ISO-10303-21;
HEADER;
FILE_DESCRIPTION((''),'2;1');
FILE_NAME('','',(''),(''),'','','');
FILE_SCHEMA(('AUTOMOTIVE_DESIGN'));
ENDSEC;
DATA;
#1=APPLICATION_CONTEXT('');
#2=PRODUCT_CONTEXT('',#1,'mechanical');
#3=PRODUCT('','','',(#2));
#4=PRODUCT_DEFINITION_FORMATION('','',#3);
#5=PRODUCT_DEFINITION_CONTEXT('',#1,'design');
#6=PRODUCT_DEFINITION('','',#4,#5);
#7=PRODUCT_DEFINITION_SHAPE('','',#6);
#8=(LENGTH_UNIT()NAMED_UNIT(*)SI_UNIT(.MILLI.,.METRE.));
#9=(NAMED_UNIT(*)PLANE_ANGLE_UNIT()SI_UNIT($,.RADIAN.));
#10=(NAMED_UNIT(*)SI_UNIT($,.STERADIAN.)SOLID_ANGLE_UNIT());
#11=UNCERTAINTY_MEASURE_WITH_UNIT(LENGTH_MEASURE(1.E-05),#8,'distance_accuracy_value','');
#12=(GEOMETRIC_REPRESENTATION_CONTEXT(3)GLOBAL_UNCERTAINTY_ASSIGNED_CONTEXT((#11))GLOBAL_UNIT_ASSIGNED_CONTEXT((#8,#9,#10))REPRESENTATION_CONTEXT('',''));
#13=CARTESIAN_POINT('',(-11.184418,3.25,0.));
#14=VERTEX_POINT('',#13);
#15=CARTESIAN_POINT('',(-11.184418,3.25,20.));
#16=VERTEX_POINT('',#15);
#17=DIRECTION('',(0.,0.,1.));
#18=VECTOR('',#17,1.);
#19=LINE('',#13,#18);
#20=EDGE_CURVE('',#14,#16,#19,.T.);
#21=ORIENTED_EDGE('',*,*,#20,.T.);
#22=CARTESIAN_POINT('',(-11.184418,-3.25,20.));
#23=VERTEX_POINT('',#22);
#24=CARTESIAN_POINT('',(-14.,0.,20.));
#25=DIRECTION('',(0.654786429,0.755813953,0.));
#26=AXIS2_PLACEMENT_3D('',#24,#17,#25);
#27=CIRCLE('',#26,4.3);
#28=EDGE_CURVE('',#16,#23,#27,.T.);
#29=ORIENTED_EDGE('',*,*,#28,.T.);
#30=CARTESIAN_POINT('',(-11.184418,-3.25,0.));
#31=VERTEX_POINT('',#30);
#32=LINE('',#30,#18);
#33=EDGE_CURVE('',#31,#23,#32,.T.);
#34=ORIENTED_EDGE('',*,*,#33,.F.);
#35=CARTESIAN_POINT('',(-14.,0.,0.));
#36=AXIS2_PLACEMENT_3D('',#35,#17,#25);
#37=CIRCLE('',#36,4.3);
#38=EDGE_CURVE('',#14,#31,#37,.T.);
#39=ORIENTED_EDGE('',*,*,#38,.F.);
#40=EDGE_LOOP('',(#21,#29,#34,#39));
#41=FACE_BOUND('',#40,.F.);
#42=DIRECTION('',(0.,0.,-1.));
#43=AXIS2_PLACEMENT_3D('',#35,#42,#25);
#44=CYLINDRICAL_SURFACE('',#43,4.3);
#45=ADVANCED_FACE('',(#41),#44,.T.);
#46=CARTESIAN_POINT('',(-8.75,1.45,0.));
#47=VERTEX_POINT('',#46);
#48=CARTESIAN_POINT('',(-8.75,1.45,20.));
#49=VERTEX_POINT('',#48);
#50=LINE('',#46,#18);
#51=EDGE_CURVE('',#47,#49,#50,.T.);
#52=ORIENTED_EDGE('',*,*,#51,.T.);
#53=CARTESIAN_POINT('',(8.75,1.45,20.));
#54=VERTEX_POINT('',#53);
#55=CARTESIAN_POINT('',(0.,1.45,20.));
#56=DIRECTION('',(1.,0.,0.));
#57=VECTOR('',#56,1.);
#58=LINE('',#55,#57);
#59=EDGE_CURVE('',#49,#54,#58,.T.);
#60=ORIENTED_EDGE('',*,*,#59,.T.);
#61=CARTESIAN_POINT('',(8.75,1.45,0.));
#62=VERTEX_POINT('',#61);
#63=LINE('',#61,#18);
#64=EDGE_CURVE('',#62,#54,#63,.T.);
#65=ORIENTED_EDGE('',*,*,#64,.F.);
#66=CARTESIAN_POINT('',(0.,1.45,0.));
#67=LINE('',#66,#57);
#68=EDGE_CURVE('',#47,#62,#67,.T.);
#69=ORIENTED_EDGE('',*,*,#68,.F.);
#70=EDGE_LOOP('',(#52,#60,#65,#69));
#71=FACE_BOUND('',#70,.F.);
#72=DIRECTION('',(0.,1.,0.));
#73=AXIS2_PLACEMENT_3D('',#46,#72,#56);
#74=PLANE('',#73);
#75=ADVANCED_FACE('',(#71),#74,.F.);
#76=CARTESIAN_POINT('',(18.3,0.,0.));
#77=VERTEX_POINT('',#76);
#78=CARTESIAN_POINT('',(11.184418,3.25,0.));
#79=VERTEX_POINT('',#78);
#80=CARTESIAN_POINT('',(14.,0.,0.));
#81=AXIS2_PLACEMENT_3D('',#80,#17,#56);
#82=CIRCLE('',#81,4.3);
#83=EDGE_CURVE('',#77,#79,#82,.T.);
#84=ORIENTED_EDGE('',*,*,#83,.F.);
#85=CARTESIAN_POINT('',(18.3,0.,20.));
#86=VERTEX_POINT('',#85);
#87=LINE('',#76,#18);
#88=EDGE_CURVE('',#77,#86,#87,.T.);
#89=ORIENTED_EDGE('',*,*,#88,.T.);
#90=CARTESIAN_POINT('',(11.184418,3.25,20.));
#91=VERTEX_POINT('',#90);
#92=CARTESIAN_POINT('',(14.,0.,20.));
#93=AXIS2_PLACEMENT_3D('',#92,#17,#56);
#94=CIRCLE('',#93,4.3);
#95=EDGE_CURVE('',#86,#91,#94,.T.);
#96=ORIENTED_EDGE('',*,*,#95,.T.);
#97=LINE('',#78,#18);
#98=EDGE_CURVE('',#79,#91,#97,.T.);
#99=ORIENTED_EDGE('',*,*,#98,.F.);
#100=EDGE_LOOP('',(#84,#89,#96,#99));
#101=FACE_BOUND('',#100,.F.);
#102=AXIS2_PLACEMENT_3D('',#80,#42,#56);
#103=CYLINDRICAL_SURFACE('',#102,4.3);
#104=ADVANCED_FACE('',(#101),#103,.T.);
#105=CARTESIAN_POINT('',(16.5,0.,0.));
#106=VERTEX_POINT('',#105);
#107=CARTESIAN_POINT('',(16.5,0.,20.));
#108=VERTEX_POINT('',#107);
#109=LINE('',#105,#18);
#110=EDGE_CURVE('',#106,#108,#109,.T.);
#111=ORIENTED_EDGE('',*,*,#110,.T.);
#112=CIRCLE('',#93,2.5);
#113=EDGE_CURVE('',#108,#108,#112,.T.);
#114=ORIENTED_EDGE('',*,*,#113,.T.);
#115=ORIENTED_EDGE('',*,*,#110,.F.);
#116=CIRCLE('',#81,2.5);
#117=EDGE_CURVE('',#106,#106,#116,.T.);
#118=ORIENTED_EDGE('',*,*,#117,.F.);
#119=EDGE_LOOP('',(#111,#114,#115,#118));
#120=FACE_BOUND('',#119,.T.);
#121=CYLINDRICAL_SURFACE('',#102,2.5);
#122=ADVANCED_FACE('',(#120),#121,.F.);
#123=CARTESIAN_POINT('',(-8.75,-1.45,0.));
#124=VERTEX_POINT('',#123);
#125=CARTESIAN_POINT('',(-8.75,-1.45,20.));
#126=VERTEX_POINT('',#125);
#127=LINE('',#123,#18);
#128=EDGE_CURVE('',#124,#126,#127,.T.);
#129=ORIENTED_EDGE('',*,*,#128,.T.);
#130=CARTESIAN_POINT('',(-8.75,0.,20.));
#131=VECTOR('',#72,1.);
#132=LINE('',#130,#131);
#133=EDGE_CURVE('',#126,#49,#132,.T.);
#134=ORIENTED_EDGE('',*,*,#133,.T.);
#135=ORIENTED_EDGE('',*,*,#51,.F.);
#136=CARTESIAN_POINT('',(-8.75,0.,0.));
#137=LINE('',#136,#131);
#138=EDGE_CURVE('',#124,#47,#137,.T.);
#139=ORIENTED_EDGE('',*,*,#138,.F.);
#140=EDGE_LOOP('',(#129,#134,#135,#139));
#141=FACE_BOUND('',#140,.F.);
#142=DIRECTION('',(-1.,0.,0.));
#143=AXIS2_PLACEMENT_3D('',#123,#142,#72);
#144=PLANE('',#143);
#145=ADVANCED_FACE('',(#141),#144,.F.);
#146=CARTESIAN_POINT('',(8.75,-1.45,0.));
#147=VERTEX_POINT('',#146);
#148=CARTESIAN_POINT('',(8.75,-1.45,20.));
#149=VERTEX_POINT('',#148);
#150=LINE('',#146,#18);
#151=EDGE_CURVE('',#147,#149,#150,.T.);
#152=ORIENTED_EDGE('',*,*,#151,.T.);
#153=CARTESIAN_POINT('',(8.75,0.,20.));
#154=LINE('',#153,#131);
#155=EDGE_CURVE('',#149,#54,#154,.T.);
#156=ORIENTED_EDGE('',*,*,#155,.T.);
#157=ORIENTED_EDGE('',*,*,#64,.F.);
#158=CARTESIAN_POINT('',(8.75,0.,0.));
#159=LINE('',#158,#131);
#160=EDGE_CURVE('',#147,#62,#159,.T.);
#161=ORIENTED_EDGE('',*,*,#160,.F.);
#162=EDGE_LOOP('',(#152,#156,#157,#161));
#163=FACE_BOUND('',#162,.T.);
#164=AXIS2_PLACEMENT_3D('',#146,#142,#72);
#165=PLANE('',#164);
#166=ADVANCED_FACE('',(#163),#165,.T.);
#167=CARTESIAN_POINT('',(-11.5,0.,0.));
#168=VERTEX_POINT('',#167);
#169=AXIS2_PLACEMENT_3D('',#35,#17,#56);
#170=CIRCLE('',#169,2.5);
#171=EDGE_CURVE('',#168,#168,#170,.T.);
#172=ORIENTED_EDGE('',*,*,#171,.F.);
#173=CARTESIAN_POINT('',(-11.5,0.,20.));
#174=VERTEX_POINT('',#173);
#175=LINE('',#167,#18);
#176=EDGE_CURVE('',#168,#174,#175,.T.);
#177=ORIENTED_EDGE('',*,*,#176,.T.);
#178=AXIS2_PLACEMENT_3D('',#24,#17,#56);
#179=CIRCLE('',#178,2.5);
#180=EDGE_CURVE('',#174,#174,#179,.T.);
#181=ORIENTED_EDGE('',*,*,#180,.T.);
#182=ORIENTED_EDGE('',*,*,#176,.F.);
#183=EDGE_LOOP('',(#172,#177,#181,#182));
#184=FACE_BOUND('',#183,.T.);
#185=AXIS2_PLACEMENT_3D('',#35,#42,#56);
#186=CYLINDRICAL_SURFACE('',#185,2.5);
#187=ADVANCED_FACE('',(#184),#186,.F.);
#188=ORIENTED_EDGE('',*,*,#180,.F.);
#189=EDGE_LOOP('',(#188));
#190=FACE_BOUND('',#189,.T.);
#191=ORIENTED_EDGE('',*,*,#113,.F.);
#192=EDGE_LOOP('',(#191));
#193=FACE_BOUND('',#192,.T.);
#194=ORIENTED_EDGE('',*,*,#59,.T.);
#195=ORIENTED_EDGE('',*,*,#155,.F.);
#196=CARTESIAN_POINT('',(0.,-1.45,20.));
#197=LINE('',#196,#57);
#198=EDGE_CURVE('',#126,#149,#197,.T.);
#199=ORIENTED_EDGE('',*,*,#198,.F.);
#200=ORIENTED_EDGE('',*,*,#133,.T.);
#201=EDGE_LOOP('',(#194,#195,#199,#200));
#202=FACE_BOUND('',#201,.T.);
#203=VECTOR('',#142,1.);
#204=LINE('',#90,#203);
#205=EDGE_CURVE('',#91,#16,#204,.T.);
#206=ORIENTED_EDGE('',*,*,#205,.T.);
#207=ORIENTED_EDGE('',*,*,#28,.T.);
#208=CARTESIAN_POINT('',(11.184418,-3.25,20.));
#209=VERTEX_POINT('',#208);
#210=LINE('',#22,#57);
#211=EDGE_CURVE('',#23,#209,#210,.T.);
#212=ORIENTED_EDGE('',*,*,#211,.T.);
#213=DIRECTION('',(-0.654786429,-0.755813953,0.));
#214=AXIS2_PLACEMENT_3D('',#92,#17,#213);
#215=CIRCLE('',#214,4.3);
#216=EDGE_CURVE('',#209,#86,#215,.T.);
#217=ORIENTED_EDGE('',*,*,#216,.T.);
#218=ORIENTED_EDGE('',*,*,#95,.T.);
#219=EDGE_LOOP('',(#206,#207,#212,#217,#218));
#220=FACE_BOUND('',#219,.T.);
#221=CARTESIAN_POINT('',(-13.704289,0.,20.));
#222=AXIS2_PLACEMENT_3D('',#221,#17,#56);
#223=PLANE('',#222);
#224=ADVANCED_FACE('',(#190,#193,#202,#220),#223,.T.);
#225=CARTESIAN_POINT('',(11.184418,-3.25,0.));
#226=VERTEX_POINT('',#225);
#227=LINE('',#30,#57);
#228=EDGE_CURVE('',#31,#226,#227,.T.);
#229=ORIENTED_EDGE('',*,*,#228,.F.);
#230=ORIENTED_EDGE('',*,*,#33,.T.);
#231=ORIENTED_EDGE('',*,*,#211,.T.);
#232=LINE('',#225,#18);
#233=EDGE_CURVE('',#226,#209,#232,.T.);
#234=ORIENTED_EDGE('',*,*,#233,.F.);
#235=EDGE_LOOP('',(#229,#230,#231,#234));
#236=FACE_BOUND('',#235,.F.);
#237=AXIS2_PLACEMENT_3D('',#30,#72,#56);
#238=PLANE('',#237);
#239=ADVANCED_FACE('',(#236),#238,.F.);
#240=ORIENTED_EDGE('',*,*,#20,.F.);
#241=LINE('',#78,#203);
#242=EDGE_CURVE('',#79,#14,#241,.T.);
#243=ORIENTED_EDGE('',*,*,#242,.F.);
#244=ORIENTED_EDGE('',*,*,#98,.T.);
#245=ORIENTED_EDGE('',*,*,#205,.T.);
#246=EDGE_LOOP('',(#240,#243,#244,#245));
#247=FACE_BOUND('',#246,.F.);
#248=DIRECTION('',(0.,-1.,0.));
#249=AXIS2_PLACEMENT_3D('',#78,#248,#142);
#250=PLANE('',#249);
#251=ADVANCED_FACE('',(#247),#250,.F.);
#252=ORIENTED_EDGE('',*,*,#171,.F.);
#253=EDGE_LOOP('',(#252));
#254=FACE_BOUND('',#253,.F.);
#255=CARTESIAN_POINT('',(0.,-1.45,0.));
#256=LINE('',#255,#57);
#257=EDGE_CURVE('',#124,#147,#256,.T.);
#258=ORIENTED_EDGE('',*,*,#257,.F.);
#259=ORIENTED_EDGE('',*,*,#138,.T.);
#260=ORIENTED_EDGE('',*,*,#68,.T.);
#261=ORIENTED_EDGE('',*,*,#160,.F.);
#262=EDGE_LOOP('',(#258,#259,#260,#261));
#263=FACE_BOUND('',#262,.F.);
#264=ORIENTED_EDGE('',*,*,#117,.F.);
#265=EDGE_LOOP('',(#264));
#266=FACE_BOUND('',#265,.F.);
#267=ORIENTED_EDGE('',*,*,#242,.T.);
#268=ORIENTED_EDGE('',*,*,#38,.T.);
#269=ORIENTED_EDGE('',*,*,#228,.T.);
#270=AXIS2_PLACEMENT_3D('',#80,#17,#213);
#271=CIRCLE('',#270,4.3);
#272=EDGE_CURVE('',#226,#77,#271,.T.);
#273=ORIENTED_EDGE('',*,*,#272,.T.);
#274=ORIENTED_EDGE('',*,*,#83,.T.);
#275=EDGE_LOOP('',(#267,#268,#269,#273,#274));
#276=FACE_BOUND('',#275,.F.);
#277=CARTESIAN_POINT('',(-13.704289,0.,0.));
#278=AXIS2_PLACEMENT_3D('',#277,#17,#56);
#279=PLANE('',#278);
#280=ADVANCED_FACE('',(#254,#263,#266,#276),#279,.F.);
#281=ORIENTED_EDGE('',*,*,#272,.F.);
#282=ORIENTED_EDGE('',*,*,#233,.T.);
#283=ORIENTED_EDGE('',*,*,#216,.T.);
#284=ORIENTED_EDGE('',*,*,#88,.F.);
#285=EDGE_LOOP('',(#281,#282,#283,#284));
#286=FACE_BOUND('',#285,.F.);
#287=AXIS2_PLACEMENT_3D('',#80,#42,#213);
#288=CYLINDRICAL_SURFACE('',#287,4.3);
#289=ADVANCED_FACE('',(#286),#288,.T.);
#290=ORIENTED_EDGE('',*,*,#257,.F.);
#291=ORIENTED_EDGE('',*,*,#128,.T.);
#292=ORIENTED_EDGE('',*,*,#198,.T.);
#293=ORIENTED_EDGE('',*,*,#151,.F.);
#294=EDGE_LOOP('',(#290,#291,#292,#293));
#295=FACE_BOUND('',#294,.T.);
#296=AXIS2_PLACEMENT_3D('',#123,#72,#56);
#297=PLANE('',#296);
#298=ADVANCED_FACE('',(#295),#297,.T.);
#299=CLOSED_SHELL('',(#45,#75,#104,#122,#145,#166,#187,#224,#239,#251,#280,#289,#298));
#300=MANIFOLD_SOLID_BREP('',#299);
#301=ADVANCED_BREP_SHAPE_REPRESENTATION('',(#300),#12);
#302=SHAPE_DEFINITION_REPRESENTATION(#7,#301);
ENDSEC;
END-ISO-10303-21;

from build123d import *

# Parameters (mm, degrees)
F1_R     = 2.5
F1_W     = 17.5
F1_H     = 2.9
F2_DEPTH = 20


with BuildPart() as f2:
    # F1 (on Top) → F2 (new body)
    with BuildSketch(Plane.XY):
        with BuildLine():
            ThreePointArc((-11.1844183549, -3.25), (-10.0886702342, -1.7864768297), (-9.7, 0))
            ThreePointArc((-9.7, 0), (-10.0886702342, 1.7864768297), (-11.1844183549, 3.25))
            ThreePointArc((-11.1844183549, 3.25), (-18.3, 0), (-11.1844183549, -3.25))
        make_face()
        with Locations((-14, 0)):
            Circle(F1_R, mode=Mode.SUBTRACT)
        with BuildLine():
            ThreePointArc((-11.1844183549, 3.25), (-10.0886702342, 1.7864768297), (-9.7, 0))
            ThreePointArc((-9.7, 0), (-10.0886702342, -1.7864768297), (-11.1844183549, -3.25))
            Line((-11.1844183549, -3.25), (11.1844183549, -3.25))
            ThreePointArc((11.1844183549, -3.25), (9.7, 0), (11.1844183549, 3.25))
            Line((11.1844183549, 3.25), (-11.1844183549, 3.25))
        make_face()
        Rectangle(F1_W, F1_H, mode=Mode.SUBTRACT)
        with BuildLine():
            ThreePointArc((18.3, 0), (15.7864768297, 3.9113297658), (11.1844183549, 3.25))
            ThreePointArc((11.1844183549, 3.25), (9.7, 0), (11.1844183549, -3.25))
            ThreePointArc((11.1844183549, -3.25), (15.7864768297, -3.9113297658), (18.3, 0))
        make_face()
        with Locations((14, 0)):
            Circle(F1_R, mode=Mode.SUBTRACT)
    extrude(amount=F2_DEPTH)


solid = f2.part
